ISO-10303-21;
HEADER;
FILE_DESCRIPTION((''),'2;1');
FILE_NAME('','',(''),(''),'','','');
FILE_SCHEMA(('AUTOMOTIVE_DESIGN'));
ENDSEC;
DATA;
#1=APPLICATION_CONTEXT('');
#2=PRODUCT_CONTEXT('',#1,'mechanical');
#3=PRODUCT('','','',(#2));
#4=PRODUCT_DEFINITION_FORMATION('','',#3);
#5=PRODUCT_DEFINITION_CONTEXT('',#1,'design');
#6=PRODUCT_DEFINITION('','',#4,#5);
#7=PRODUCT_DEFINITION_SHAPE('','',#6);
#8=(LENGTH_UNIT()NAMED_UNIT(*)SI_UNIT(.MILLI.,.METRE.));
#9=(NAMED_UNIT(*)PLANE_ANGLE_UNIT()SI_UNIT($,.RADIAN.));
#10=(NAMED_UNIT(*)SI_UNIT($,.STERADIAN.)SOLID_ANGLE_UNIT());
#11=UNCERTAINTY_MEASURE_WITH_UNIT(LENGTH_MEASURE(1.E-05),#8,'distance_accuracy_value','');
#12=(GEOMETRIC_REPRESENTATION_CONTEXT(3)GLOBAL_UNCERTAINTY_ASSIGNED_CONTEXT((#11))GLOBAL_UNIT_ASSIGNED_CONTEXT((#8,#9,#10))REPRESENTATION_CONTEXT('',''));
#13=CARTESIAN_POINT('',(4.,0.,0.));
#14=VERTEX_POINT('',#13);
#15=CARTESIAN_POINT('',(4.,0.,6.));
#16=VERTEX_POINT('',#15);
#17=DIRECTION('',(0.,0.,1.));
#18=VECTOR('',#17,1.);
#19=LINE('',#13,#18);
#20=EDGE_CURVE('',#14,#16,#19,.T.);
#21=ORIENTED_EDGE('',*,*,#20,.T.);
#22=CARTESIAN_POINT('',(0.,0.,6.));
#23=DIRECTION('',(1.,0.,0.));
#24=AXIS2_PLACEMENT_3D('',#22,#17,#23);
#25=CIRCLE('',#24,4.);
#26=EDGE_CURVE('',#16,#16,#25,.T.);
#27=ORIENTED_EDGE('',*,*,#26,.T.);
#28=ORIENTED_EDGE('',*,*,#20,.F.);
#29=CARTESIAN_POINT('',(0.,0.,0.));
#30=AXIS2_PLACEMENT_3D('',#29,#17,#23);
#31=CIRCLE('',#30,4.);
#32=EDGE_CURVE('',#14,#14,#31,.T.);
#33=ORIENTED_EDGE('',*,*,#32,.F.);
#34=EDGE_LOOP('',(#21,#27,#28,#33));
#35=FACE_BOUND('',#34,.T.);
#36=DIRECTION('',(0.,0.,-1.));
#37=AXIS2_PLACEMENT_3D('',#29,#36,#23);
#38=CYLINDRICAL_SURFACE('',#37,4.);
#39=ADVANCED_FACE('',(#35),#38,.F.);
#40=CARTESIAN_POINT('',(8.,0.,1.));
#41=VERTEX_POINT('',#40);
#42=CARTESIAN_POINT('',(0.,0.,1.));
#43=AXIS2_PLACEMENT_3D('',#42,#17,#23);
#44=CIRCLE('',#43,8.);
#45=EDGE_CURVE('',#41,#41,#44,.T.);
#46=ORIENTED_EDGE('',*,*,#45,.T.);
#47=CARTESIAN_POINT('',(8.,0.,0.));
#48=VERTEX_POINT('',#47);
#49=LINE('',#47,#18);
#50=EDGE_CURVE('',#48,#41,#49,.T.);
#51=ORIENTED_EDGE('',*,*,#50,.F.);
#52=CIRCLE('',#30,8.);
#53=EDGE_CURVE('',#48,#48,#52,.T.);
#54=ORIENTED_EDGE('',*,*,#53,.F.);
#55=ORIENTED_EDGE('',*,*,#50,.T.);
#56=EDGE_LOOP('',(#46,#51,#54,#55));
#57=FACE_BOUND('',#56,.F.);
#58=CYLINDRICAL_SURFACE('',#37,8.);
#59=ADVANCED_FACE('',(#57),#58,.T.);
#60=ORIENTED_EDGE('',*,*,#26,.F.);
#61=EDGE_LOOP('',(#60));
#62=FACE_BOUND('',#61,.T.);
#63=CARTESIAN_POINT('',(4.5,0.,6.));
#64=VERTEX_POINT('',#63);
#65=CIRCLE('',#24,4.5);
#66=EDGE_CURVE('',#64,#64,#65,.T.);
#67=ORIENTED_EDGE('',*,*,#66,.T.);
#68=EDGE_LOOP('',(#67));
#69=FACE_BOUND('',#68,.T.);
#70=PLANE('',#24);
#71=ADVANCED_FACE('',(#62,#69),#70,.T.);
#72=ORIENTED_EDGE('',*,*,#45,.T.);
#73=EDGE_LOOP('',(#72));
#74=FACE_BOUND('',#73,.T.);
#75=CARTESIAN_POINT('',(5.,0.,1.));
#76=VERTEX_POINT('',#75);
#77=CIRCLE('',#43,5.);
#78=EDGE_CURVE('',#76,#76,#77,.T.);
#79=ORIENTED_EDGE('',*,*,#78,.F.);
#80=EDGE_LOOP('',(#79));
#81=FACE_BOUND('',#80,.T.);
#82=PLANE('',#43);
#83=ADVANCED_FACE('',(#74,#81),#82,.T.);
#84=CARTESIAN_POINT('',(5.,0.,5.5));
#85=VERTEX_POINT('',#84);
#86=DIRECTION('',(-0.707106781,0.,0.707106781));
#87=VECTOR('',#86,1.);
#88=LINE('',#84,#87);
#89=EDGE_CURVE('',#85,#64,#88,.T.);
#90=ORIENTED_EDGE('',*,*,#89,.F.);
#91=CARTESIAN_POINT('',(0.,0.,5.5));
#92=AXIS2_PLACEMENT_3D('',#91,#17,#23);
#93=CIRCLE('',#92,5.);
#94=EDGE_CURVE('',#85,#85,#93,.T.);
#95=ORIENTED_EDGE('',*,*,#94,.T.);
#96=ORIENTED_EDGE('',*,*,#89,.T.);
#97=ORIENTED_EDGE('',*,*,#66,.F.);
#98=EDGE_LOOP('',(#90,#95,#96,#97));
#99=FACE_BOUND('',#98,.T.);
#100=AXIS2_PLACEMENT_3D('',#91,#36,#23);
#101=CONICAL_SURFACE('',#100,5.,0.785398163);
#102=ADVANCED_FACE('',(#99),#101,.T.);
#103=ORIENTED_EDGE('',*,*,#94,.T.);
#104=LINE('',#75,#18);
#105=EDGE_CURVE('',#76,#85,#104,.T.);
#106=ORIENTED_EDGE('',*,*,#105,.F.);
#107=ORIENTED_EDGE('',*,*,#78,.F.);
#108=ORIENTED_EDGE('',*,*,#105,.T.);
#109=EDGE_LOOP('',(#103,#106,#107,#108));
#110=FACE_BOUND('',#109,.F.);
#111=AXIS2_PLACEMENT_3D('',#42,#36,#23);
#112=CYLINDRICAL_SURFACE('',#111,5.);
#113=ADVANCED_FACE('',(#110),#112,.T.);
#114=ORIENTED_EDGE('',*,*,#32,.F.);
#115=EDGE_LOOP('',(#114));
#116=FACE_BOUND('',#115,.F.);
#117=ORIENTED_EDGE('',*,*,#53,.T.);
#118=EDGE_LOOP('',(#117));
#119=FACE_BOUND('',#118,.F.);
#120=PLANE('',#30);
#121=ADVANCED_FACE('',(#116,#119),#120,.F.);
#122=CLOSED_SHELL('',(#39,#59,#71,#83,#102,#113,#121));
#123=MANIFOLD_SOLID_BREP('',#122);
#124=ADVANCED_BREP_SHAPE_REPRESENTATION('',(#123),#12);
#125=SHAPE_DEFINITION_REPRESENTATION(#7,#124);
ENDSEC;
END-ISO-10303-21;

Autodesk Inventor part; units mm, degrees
ref_plane "YZ Plane" through (0, 0, 0) normal (1, 0, 0) x (0, 1, 0)
ref_plane "XZ Plane" through (0, 0, 0) normal (0, 1, 0) x (-1, 0, 0)
ref_plane "XY Plane" through (0, 0, 0) normal (0, 0, 1) x (1, 0, 0)
sketch "スケッチ1" plane through (0, 0, 0) normal (0, 0, 1) x (1, 0, 0)
  circle A0 centre (0, 0) radius 4
  circle A1 centre (0, 0) radius 8
  dimension "d0" = 8
  dimension "d1" = 16
extrude "押し出し1" add sketch "スケッチ1" along normal blind 1
sketch "スケッチ2" plane through (0, 0, 1) normal (0, 0, 1) x (1, 0, 0)
  circle A0 centre (0, 0) radius 5
  circle A1 centre (0, 0) radius 8 projected
  circle A2 centre (0, 0) radius 4 projected
  dimension "d4" = 10
extrude "押し出し2" add sketch "スケッチ2" along normal blind 5 contours A0
chamfer "面取り1" distance 0.5 angle 45 1 edges at (-5, 0, 6)
properties part number "オイレスw3f10-8a" material "アセタール樹脂、黒"
